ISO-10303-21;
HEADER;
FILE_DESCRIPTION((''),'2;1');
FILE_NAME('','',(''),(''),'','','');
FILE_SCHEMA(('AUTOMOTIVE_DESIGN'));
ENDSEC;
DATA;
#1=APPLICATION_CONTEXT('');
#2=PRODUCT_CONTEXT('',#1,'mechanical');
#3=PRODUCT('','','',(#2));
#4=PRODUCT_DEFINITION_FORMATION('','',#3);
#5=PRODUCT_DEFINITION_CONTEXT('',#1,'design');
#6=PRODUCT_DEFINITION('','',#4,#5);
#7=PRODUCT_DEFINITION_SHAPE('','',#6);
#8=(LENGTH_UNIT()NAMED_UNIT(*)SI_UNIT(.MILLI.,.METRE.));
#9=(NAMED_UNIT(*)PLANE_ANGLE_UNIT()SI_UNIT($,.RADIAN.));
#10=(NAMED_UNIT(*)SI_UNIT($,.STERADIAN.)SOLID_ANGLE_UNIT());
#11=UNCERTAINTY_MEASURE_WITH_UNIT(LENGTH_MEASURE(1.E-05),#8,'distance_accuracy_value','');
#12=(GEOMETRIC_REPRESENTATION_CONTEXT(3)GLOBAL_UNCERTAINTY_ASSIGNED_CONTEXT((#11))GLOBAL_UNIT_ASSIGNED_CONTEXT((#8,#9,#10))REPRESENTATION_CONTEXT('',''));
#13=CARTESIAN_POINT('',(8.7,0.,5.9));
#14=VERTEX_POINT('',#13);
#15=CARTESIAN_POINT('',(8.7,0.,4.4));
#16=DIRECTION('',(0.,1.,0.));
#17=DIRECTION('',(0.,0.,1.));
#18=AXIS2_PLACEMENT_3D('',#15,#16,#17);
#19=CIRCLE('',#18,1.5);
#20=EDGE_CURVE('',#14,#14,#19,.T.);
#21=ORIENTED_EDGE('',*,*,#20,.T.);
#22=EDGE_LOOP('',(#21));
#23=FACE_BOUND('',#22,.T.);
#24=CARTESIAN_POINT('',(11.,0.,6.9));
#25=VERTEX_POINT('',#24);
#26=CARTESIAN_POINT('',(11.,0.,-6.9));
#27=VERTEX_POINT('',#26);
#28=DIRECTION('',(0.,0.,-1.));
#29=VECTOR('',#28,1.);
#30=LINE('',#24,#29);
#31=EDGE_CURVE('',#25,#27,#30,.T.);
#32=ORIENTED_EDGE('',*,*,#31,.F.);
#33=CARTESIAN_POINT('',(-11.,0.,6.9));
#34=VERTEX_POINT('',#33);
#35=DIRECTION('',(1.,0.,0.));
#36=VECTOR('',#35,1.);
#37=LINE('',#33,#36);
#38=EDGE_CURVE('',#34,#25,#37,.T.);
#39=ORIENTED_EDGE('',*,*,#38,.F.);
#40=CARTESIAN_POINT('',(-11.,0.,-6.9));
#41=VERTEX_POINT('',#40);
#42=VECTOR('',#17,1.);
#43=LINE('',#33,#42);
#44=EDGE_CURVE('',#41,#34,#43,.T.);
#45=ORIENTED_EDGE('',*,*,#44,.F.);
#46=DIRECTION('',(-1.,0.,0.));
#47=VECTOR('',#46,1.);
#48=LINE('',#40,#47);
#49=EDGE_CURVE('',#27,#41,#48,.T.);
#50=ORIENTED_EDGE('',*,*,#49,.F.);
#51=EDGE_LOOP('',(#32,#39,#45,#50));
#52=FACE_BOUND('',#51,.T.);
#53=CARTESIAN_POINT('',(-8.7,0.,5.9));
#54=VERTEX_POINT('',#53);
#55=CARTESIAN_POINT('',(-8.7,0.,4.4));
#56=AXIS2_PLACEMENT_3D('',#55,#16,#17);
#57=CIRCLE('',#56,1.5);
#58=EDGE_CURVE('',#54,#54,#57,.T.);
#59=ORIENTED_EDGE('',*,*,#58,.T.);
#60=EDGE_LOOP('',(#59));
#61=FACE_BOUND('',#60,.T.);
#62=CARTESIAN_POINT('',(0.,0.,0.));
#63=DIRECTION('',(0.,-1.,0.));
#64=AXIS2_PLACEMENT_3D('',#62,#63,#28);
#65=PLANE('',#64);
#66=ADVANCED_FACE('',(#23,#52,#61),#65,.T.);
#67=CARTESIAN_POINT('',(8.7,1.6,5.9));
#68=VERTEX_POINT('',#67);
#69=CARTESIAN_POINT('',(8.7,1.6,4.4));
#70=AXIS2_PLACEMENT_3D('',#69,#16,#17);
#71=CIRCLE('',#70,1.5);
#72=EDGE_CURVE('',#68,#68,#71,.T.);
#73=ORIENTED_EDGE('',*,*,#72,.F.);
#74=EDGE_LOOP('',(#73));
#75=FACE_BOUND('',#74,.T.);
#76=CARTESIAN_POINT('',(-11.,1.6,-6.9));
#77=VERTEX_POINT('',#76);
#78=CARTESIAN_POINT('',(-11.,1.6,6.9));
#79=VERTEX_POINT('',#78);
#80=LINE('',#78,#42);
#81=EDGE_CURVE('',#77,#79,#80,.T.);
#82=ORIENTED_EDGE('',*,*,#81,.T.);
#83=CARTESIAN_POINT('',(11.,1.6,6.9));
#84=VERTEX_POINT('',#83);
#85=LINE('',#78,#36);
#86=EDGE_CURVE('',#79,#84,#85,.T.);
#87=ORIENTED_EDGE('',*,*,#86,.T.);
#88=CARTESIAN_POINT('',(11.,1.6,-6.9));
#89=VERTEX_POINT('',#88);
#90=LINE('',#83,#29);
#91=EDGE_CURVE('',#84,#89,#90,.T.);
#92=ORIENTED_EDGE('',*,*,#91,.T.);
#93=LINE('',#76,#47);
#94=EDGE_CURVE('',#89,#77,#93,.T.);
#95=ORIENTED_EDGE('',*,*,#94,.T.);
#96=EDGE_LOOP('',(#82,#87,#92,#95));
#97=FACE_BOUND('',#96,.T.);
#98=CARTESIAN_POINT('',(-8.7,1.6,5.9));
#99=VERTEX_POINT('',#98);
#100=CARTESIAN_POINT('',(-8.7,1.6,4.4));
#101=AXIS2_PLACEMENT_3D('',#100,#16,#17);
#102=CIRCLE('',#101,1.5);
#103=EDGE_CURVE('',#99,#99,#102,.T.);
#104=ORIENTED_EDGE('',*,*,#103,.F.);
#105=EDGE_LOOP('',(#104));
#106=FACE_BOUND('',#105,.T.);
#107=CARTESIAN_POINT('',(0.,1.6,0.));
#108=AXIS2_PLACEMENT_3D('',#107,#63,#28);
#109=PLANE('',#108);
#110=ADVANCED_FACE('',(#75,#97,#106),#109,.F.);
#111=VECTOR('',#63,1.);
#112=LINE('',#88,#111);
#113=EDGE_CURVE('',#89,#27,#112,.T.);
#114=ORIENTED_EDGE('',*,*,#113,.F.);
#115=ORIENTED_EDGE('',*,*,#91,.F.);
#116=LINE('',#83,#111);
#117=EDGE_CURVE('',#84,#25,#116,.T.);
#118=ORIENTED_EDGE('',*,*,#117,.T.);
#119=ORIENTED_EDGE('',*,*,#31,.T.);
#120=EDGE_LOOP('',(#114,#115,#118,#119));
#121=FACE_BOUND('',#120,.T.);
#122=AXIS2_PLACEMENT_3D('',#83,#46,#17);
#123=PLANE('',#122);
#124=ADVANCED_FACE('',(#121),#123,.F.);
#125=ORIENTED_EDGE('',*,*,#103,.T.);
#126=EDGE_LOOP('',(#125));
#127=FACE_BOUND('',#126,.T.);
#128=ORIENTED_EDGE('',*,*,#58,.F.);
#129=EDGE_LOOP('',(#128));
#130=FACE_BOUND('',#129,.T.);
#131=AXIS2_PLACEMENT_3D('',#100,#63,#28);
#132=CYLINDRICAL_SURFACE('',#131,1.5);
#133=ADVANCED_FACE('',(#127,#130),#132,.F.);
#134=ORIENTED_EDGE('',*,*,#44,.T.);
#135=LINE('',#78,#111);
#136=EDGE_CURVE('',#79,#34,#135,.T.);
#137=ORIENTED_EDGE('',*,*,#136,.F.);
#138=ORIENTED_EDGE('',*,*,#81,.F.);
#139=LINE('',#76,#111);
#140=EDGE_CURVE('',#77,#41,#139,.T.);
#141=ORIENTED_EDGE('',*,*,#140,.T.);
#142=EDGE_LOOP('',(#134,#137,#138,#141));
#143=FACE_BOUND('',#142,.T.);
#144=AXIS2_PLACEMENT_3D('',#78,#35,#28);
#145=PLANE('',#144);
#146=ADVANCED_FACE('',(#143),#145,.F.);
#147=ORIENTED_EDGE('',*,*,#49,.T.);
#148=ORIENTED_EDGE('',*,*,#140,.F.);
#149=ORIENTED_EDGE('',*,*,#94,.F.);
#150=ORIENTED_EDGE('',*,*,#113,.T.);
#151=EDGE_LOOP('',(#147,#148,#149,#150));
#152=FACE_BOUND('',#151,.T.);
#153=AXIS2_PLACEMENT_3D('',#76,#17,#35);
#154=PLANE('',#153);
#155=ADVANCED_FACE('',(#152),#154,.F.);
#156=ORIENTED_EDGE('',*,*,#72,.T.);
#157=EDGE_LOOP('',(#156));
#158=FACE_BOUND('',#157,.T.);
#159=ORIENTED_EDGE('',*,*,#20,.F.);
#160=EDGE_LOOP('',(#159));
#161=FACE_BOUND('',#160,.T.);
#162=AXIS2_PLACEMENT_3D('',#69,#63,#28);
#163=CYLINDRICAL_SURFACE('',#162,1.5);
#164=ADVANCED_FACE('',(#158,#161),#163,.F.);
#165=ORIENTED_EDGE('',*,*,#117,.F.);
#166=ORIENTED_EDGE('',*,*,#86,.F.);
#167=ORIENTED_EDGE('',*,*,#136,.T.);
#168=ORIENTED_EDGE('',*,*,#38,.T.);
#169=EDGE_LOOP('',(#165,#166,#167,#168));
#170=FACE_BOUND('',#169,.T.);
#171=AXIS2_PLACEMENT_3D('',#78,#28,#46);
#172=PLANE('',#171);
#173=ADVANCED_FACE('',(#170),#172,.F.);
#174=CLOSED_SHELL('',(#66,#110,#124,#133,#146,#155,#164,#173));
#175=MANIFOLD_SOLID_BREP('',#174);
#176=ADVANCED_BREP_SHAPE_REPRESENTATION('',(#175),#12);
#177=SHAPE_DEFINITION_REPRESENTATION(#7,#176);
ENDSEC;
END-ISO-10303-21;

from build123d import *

# Parameters (mm, degrees)
SKETCH_1_W      = 22
SKETCH_1_H      = 13.8
SKETCH_1_R      = 1.5
EXTRUDE_1_DEPTH = 1.6


with BuildPart() as part:
    # 草图1 → 凸台-拉伸1 (new body)
    with BuildSketch(Plane(origin=(0, 0, 0), x_dir=(1, 0, 0), z_dir=(0, 1, 0))):
        Rectangle(SKETCH_1_W, SKETCH_1_H)
        with Locations((-8.7, -4.4)):
            Circle(SKETCH_1_R, mode=Mode.SUBTRACT)
        with Locations((8.7, -4.4)):
            Circle(SKETCH_1_R, mode=Mode.SUBTRACT)
    extrude(amount=EXTRUDE_1_DEPTH)


solid = part.part
